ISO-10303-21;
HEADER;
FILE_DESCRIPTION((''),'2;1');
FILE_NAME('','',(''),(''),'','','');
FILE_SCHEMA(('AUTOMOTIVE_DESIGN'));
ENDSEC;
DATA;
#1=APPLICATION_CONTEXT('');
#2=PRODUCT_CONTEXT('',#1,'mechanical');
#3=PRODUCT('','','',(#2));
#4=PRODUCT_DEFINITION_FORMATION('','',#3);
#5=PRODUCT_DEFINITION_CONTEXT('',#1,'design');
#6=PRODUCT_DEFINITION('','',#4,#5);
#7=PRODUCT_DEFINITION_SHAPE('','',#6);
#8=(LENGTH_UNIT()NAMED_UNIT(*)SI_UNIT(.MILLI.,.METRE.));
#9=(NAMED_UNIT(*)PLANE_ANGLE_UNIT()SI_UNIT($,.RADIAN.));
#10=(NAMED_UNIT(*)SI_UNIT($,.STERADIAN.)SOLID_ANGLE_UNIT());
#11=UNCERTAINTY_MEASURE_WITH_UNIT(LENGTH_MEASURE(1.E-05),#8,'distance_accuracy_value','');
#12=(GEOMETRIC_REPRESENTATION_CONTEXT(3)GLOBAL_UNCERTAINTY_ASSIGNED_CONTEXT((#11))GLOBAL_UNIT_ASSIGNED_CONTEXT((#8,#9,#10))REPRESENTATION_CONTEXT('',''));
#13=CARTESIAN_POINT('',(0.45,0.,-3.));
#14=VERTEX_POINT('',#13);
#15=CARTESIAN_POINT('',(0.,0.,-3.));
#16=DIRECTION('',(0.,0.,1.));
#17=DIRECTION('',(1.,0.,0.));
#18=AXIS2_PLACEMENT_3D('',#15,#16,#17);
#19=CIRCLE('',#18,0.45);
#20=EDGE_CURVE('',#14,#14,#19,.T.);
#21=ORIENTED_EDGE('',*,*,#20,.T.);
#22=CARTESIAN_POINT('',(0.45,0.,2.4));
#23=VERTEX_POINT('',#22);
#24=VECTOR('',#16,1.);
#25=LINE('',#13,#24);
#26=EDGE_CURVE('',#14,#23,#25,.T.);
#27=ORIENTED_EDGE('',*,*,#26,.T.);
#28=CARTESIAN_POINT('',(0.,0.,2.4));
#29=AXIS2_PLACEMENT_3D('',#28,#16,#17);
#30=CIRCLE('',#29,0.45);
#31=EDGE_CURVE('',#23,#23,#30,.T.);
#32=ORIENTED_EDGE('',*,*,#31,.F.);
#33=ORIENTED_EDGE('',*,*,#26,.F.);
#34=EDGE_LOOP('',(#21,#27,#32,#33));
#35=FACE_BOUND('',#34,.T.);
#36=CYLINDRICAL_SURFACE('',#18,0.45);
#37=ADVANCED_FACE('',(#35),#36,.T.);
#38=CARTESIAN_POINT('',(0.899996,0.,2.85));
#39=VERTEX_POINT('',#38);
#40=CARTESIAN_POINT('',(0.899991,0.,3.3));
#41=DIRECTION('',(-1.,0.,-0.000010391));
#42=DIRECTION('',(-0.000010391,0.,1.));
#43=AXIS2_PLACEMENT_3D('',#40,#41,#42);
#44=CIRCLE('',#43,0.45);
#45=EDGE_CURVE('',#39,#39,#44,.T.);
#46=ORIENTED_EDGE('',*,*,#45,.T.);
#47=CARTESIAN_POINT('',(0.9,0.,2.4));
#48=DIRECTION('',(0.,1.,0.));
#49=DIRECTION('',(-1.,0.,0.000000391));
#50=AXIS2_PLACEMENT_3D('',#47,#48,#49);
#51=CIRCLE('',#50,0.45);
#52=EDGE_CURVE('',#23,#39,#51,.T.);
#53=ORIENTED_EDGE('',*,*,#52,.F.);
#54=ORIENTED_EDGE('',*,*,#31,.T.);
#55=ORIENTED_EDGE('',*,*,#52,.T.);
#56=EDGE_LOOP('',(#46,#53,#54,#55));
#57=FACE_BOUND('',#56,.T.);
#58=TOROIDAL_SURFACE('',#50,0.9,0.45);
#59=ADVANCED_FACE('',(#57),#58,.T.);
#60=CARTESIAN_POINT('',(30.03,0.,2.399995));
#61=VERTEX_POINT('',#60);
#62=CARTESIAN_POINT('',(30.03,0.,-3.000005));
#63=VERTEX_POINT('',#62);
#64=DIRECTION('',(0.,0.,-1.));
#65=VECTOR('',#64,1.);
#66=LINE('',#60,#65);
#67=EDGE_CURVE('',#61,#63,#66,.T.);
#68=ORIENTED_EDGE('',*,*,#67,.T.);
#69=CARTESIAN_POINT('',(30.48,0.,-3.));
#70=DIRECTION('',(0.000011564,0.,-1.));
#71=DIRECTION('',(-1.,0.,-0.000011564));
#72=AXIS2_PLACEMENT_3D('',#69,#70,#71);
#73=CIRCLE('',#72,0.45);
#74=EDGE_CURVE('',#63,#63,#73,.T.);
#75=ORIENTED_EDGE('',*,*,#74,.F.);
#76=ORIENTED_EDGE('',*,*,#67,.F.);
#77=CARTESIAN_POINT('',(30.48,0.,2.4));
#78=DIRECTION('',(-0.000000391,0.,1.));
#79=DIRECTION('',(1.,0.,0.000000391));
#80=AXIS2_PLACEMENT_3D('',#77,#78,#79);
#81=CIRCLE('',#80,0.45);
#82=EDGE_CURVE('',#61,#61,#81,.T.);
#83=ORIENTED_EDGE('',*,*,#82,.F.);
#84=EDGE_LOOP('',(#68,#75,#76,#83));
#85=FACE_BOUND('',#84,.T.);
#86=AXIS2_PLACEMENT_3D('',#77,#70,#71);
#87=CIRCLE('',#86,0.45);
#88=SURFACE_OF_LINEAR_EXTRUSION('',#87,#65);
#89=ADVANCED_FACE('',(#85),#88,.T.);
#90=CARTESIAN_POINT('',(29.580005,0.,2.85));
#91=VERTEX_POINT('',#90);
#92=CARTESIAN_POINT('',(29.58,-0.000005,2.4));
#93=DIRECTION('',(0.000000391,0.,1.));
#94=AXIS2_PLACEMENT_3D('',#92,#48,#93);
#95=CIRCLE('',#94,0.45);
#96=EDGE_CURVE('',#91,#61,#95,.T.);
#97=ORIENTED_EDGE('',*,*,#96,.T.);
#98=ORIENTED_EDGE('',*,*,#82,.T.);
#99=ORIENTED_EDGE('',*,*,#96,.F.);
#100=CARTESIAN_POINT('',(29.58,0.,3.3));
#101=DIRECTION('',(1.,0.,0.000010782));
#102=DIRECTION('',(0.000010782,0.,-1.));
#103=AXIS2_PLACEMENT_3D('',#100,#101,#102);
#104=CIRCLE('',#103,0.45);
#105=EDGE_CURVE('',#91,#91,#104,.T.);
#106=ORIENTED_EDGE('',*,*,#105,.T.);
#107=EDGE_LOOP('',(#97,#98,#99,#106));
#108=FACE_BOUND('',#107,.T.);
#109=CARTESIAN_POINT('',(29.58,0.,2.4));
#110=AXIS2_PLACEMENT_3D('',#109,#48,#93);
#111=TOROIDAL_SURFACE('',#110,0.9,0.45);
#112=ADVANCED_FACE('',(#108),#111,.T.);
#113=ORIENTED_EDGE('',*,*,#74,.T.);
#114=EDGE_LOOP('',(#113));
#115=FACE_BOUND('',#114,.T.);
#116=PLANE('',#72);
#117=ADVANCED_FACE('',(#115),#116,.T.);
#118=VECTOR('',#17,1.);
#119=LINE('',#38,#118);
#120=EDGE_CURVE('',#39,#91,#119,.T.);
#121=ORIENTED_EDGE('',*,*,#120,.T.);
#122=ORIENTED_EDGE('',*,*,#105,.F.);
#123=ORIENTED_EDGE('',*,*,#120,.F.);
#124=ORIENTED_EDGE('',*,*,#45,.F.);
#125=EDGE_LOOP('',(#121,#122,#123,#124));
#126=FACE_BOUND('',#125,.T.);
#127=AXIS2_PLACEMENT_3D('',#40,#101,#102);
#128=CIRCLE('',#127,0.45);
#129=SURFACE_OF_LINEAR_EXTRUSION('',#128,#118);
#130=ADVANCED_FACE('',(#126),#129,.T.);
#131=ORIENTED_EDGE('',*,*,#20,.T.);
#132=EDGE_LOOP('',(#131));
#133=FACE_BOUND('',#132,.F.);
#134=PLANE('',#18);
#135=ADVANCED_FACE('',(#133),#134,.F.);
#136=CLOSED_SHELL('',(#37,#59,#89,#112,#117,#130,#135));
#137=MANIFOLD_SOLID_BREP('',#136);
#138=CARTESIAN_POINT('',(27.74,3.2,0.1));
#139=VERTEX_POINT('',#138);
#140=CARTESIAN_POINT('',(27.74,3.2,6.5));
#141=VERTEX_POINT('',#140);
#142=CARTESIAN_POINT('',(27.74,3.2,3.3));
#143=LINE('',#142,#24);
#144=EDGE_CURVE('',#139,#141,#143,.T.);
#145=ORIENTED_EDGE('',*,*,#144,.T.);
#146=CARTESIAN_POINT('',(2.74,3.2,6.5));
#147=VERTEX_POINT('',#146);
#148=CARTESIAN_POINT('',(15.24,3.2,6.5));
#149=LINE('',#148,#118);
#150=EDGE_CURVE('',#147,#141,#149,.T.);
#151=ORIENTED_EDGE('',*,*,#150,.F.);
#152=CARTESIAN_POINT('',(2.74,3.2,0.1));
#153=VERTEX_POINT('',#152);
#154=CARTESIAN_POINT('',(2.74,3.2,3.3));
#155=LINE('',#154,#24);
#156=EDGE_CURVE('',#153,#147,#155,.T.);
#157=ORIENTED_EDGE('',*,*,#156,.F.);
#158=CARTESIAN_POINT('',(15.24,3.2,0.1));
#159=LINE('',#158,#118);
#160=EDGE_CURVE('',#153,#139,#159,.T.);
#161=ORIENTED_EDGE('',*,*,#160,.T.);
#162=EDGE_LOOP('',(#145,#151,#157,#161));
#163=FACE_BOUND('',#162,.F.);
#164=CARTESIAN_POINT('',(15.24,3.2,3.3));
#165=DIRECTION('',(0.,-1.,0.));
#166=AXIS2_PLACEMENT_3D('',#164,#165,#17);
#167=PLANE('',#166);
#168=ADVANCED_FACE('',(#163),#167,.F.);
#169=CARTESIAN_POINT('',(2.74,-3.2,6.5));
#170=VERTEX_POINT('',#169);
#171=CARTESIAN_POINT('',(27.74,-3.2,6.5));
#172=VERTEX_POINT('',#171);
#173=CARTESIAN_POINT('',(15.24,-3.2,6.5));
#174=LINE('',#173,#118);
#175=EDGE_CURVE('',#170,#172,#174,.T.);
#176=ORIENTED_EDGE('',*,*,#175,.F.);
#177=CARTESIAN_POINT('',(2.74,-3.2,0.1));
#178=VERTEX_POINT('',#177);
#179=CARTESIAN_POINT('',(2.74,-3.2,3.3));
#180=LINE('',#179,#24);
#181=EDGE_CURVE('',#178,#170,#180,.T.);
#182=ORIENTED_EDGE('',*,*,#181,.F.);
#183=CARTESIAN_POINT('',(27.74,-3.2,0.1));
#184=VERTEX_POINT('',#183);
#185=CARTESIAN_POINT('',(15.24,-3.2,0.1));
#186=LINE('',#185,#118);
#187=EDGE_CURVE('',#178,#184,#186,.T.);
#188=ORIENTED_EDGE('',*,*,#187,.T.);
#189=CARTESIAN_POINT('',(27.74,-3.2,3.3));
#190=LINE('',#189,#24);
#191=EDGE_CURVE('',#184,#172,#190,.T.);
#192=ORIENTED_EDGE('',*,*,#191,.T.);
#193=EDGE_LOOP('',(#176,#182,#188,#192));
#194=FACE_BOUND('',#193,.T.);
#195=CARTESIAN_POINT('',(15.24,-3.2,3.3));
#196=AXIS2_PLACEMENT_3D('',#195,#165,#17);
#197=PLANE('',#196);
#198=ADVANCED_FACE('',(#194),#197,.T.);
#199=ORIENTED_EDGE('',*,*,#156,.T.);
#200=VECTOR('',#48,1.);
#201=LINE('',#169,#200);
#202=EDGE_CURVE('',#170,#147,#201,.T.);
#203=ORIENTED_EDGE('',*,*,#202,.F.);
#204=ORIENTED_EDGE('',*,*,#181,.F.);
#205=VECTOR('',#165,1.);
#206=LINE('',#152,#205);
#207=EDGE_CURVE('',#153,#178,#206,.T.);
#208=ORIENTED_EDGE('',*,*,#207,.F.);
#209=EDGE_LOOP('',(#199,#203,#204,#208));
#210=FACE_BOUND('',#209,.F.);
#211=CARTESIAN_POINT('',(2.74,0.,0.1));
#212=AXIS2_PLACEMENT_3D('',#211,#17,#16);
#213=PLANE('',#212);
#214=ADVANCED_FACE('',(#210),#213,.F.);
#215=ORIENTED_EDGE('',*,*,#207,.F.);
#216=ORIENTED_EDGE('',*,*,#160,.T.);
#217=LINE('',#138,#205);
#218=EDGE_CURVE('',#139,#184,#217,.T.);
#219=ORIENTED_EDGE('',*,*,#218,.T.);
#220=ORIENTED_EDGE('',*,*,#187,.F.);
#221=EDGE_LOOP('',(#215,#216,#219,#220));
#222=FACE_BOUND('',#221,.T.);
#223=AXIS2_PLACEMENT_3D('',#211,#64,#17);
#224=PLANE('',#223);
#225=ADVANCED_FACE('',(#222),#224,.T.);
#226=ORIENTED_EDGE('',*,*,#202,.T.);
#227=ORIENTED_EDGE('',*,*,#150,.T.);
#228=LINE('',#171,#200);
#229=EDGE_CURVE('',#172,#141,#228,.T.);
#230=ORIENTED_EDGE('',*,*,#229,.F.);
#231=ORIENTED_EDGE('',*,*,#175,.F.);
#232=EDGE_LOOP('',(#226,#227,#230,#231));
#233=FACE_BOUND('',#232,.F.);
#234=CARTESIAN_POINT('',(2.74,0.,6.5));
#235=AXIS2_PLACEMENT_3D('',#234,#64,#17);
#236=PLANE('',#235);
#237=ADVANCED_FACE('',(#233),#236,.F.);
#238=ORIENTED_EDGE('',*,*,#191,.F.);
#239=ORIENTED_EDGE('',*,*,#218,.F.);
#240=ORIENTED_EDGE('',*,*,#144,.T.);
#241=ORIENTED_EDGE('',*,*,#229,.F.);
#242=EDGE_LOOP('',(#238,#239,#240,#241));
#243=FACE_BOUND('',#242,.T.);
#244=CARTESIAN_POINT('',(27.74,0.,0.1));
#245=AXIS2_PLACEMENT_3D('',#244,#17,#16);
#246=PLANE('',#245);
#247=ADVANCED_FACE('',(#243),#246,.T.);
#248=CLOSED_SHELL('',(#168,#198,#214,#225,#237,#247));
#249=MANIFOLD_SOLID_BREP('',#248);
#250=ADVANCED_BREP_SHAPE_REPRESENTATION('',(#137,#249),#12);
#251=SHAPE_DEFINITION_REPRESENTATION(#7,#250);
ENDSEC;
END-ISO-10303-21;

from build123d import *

# Parameters (mm, degrees)
SKETCH_R    = 0.45
SKETCH002_W = 25
SKETCH002_H = 6.4
PAD_DEPTH   = 3.2


with BuildPart() as sweep_body:
    # Sweep: sweep along a path in Sketch001
    with BuildLine(Plane.XZ) as sweep_path:
        Line((0, -3), (0, 2.4))
        ThreePointArc((0, 2.4), (0.263601, 3.036393), (0.899991, 3.3))
        Line((0.899991, 3.3), (29.58, 3.3))
        ThreePointArc((29.58, 3.3), (30.216396, 3.036396), (30.48, 2.4))
        Line((30.48, 2.4), (30.48, -3))
    # Sketch → Sweep (sweep)
    with BuildSketch(Plane.XY.offset(-2)):
        Circle(SKETCH_R)
    sweep(path=sweep_path.line)


with BuildPart() as pad:
    # Sketch002 → Pad (new body, symmetric)
    with BuildSketch(Plane.XZ):
        with Locations((15.24, 3.3)):
            Rectangle(SKETCH002_W, SKETCH002_H)
    extrude(amount=PAD_DEPTH, both=True)


solid = Compound([sweep_body.part, pad.part])
